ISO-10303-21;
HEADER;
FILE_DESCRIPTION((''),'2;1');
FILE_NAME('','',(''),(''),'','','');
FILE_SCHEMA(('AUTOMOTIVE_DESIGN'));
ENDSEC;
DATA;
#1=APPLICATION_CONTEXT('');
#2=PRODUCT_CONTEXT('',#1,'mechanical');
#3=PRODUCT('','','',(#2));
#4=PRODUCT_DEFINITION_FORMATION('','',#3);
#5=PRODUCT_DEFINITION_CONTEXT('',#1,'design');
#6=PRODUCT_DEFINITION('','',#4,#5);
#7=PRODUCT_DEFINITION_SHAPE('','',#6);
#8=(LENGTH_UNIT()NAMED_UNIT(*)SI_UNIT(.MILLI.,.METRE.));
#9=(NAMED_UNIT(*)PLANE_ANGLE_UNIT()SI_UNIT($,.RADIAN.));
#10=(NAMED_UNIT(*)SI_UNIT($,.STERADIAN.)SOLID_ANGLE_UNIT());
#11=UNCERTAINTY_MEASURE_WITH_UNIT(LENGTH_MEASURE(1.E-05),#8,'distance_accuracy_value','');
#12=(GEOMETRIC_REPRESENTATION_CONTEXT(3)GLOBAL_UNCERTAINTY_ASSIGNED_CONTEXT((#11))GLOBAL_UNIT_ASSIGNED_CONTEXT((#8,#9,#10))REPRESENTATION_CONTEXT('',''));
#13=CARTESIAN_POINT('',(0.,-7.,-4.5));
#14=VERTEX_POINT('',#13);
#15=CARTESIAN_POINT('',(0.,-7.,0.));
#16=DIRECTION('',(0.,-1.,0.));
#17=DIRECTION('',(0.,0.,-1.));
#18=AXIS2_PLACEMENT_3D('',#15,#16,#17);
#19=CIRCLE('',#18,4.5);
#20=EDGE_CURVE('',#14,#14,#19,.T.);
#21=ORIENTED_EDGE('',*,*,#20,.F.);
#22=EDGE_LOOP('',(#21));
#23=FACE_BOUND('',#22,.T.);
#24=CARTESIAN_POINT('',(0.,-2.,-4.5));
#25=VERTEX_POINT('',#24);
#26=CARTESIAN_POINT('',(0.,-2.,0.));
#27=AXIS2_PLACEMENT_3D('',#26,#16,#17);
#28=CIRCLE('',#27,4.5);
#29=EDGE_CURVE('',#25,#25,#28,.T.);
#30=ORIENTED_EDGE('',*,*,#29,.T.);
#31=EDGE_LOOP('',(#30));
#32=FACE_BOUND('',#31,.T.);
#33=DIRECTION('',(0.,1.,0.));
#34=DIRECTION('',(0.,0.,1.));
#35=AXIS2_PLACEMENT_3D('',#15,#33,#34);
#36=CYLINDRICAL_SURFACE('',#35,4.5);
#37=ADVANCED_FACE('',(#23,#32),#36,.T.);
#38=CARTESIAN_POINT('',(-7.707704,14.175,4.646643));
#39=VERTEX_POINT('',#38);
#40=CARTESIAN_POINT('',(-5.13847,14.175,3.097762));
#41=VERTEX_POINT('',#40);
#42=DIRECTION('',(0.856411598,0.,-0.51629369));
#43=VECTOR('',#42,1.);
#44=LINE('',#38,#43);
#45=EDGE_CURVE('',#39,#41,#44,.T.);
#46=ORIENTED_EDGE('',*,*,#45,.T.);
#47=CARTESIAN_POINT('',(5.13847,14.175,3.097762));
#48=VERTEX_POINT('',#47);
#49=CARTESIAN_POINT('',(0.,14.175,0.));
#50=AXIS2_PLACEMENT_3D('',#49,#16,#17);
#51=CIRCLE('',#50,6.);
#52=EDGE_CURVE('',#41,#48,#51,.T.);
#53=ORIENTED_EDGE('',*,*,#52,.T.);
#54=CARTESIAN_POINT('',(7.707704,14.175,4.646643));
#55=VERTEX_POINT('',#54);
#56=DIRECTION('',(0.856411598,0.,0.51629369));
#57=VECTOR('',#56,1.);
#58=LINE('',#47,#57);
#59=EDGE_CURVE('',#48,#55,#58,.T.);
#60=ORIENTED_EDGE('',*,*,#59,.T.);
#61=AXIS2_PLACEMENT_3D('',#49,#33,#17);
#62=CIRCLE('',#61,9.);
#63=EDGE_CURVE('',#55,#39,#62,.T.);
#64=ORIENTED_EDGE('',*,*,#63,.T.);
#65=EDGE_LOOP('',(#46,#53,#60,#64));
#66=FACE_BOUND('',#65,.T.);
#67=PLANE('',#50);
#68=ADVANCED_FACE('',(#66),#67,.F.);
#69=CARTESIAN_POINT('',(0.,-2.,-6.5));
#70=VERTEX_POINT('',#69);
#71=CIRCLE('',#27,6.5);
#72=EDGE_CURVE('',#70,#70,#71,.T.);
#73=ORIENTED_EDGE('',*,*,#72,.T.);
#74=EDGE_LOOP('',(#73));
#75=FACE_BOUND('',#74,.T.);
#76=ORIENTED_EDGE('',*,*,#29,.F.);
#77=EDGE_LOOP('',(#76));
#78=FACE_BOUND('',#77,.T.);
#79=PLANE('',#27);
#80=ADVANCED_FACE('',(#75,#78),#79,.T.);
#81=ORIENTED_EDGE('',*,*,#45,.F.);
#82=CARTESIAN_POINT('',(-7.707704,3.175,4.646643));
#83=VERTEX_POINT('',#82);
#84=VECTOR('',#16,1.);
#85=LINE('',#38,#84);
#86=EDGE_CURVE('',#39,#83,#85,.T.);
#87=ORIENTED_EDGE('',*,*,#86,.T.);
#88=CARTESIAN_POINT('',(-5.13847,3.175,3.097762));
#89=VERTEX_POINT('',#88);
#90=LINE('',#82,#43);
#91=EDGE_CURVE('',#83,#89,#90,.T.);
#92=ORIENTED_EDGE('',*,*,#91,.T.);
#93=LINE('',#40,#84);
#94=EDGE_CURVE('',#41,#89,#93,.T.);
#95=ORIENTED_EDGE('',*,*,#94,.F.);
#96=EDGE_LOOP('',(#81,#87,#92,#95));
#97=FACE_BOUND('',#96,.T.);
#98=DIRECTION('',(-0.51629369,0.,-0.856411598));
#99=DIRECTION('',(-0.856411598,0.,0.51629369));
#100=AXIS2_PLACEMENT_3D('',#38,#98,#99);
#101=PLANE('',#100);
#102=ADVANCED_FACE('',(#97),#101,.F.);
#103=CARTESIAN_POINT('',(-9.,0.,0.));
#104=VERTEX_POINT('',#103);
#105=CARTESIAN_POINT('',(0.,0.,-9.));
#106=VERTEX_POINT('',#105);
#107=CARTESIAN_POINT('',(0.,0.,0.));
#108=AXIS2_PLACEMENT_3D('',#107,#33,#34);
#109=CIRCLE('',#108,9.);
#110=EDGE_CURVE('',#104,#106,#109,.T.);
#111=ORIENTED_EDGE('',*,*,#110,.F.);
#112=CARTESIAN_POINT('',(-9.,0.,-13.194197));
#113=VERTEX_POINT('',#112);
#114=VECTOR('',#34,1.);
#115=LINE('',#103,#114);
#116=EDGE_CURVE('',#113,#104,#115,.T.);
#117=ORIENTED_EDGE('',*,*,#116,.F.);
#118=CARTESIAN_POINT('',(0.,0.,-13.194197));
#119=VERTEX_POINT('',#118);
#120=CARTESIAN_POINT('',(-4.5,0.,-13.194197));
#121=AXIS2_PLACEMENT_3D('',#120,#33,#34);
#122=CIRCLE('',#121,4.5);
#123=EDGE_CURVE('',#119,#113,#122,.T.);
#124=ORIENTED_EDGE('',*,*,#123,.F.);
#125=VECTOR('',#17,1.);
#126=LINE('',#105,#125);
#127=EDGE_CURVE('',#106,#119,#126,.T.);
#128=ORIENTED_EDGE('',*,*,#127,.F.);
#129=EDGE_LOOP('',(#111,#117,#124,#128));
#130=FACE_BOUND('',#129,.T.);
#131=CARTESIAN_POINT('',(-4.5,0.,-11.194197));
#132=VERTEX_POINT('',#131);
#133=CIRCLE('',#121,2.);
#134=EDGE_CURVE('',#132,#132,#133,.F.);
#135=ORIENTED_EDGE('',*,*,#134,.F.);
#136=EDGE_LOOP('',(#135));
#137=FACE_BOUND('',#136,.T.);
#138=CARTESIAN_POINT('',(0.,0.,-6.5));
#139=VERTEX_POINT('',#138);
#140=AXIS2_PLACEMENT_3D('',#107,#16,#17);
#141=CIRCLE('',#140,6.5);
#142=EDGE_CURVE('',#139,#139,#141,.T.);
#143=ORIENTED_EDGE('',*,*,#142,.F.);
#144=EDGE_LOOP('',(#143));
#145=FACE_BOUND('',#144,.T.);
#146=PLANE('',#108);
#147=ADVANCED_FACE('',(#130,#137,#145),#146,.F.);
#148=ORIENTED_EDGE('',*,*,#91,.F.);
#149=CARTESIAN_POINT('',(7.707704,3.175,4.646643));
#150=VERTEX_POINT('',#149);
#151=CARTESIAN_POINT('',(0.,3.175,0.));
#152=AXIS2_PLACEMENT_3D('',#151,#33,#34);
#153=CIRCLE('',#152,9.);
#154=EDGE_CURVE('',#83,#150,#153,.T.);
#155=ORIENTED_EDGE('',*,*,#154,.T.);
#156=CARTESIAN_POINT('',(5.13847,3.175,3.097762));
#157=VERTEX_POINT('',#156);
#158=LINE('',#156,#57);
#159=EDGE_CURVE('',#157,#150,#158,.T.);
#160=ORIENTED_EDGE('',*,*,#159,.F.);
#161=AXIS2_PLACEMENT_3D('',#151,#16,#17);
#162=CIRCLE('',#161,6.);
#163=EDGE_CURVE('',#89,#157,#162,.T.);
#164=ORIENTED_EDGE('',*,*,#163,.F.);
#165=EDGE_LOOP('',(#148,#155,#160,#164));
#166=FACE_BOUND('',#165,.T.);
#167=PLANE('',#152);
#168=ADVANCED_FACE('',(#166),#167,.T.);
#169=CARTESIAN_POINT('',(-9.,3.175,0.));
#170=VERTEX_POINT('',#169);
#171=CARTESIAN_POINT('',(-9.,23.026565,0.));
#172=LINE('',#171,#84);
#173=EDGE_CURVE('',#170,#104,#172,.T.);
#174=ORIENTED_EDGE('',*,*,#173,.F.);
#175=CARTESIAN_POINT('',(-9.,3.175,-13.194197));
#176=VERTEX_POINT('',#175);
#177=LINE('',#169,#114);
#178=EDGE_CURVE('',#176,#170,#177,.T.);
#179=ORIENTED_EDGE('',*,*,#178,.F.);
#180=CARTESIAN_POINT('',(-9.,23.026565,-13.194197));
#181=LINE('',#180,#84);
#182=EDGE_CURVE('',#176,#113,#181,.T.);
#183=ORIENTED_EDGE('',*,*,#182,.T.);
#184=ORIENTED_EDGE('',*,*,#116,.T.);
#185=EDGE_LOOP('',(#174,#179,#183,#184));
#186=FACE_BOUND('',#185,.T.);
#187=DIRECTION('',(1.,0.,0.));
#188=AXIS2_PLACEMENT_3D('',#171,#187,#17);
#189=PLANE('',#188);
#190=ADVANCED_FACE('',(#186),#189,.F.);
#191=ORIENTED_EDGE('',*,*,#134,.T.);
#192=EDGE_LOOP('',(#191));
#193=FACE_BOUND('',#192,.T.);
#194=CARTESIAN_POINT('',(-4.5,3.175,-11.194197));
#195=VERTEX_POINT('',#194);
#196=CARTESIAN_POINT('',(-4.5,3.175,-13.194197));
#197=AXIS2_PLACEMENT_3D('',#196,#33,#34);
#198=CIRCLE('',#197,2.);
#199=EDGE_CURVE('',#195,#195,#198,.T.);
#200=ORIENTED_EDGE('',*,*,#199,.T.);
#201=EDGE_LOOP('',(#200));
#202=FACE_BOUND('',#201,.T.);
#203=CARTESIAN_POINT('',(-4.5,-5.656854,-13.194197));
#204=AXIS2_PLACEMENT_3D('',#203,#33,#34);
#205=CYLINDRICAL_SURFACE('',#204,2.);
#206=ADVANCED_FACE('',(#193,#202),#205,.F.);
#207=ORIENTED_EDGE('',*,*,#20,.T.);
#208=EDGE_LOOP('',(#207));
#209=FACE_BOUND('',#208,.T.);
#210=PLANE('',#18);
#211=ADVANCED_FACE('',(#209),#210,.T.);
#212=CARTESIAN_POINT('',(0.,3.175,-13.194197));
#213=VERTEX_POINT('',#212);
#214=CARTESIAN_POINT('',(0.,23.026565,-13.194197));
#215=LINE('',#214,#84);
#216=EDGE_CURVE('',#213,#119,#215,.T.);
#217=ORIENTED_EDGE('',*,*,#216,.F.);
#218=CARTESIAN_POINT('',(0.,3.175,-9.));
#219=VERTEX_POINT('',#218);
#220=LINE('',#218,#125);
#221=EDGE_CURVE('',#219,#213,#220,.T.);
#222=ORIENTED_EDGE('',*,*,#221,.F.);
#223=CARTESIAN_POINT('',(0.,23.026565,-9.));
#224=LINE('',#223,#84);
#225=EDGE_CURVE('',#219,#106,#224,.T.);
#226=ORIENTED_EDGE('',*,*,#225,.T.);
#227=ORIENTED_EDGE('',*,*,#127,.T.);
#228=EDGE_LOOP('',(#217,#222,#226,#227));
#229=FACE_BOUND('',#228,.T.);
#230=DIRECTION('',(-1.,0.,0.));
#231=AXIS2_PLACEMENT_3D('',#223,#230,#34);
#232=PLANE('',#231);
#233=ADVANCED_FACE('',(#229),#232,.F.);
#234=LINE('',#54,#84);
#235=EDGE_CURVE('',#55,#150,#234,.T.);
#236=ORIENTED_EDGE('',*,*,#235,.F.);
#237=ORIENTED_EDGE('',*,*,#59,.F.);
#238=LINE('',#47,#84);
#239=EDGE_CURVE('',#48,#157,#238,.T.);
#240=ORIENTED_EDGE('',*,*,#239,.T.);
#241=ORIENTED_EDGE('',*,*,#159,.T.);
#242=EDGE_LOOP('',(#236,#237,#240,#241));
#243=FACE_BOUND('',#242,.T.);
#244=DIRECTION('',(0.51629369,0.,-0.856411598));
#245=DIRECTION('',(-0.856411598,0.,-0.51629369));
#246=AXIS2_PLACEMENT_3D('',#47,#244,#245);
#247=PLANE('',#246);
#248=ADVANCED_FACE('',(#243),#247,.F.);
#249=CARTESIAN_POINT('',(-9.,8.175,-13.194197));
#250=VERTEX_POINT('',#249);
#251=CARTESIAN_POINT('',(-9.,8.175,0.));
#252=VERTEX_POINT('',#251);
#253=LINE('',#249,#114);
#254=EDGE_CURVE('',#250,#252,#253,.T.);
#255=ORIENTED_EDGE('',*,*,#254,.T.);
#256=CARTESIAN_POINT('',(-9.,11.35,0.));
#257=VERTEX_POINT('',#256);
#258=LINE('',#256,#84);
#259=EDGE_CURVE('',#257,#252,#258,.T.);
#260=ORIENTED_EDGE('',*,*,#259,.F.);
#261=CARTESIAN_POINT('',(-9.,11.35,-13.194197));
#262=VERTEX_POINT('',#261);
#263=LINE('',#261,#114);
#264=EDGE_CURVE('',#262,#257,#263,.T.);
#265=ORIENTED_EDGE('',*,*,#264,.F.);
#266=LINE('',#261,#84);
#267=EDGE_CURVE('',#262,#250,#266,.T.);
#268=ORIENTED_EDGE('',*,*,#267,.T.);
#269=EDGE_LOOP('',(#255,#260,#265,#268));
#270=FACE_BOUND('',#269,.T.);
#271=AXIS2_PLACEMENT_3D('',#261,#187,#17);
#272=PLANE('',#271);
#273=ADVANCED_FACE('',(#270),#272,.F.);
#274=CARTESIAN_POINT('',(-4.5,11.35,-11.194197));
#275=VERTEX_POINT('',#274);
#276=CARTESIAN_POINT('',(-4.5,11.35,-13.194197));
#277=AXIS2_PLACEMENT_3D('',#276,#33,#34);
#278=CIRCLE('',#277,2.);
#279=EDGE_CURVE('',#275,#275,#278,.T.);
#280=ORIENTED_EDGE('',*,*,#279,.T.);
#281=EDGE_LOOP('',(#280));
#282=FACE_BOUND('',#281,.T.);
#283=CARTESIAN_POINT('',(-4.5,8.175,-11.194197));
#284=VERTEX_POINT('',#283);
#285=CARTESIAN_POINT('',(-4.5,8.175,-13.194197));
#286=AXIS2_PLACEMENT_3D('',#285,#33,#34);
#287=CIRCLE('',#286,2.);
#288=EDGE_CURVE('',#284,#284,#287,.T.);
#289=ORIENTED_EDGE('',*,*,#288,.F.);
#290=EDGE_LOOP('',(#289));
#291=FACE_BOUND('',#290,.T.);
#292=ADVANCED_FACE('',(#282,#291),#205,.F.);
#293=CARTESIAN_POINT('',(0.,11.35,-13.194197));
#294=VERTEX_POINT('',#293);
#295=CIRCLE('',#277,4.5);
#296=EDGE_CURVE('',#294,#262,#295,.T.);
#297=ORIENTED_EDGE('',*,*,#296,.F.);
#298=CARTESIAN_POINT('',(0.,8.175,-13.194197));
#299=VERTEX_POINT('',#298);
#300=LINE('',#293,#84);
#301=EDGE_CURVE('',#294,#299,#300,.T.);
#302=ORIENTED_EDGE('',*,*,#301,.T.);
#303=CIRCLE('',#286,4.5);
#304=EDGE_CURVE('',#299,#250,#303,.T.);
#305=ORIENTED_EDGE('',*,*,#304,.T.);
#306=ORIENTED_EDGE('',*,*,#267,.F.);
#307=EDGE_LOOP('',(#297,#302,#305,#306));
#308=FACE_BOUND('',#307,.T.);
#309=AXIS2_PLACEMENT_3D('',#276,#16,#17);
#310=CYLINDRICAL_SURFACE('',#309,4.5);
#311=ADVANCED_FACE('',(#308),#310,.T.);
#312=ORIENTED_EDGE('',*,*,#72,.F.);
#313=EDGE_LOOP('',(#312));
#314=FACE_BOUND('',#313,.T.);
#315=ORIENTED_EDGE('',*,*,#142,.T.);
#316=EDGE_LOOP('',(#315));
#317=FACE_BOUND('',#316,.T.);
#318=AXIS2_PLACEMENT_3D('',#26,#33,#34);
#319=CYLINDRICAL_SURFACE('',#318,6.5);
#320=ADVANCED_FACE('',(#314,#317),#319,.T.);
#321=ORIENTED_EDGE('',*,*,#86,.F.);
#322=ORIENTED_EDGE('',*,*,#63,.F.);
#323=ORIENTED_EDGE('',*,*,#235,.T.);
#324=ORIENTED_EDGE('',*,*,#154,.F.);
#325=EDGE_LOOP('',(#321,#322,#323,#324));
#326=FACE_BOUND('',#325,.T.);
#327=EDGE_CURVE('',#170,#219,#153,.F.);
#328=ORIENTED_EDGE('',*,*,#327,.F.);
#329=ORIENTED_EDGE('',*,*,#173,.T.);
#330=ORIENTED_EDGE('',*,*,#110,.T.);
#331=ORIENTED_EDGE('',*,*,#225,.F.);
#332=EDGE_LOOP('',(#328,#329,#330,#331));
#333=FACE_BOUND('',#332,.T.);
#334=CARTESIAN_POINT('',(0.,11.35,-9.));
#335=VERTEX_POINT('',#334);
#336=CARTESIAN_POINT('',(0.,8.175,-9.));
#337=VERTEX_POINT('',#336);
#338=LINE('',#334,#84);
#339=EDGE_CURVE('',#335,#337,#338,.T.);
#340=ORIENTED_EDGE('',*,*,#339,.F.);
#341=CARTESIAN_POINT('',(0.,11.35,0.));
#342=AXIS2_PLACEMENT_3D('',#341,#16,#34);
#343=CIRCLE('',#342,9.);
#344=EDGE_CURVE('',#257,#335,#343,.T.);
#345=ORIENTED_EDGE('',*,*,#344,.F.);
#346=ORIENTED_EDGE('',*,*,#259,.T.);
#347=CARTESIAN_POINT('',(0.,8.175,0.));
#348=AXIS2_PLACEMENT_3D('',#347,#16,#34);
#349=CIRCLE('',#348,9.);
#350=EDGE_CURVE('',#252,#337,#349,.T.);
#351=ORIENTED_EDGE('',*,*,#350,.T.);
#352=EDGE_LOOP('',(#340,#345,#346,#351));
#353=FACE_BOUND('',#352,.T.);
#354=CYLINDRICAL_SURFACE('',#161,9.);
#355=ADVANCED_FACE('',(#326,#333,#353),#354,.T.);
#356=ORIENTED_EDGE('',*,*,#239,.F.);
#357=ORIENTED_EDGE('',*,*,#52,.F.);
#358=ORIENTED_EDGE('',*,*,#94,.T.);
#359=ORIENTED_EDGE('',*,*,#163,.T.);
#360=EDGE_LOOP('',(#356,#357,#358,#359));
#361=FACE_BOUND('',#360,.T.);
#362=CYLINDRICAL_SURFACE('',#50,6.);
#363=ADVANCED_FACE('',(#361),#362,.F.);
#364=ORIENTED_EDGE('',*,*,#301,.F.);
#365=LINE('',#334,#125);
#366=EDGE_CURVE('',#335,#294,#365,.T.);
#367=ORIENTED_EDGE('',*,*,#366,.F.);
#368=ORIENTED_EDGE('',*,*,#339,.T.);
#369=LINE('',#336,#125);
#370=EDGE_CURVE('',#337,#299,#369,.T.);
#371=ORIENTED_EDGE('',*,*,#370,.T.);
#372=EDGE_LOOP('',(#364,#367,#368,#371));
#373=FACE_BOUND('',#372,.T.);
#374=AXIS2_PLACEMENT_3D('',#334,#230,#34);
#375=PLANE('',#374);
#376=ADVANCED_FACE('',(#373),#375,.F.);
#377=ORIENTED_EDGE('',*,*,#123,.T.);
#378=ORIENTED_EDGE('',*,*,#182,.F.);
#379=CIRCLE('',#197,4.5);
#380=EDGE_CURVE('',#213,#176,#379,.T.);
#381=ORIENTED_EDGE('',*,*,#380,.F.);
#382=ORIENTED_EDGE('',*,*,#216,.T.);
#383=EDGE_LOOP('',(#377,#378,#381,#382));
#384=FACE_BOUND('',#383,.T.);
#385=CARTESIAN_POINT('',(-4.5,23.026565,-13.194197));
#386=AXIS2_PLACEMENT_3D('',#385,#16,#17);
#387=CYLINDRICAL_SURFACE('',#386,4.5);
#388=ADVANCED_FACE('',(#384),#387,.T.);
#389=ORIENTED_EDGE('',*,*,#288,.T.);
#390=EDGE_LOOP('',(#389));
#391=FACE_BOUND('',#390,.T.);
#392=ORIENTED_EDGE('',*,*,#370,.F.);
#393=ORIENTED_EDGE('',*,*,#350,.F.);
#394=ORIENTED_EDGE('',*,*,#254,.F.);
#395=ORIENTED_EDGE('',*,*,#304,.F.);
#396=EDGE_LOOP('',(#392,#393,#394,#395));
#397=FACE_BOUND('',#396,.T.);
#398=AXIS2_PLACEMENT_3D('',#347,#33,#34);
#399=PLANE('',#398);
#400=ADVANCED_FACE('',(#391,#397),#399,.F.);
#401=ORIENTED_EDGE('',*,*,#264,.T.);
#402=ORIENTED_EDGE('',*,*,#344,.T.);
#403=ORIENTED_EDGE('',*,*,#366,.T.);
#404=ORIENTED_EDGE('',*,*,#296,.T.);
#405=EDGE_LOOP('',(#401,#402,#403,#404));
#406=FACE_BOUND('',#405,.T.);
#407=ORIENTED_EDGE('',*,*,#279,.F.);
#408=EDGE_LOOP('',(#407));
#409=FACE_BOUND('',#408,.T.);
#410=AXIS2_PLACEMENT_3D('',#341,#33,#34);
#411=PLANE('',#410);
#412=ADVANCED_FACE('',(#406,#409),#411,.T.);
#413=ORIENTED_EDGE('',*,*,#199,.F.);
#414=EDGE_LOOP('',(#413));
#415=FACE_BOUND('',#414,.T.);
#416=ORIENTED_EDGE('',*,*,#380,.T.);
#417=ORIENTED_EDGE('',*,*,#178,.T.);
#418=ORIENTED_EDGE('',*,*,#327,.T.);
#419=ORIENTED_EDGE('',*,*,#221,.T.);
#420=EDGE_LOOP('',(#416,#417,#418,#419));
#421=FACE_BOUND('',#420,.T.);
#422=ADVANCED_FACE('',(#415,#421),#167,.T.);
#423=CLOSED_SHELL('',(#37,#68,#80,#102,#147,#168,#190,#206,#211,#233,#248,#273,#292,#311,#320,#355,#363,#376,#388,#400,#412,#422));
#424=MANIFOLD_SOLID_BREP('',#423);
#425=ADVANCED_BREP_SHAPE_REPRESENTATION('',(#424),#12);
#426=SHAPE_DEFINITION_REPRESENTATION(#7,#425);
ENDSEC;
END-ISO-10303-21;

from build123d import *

# Parameters (mm, degrees)
SKETCH1_R           = 9
BOSS_EXTRUDE1_DEPTH = 3.175
BOSS_EXTRUDE2_DEPTH = 11
SKETCH3_R           = 6.5
BOSS_EXTRUDE3_DEPTH = 2
SKETCH4_R           = 4.5
BOSS_EXTRUDE4_DEPTH = 5
BOSS_EXTRUDE5_DEPTH = 3.175
BOSS_EXTRUDE7_DEPTH = 3.175
SKETCH8_R           = 2
CUT_EXTRUDE1_DEPTH  = 11.35


with BuildPart() as part:
    # Sketch1 → Boss-Extrude1 (new body)
    with BuildSketch(Plane(origin=(0, 0, 0), x_dir=(1, 0, 0), z_dir=(0, 1, 0))):
        Circle(SKETCH1_R)
    extrude(amount=BOSS_EXTRUDE1_DEPTH)

    # Sketch2 → Boss-Extrude2 (add)
    with BuildSketch(Plane(origin=(0, 3.175, 0), x_dir=(1, 0, 0), z_dir=(0, 1, 0))):
        with BuildLine():
            Line((-7.707704384, -4.646643211), (-5.138469589, -3.097762141))
            ThreePointArc((-5.138469589, -3.097762141), (0, 6), (5.138469589, -3.097762141))
            Line((5.138469589, -3.097762141), (7.707704384, -4.646643211))
            ThreePointArc((7.707704384, -4.646643211), (0, 9), (-7.707704384, -4.646643211))
        make_face()
    extrude(amount=BOSS_EXTRUDE2_DEPTH)

    # Sketch3 → Boss-Extrude3 (add)
    with BuildSketch(Plane.XZ):
        Circle(SKETCH3_R)
    extrude(amount=BOSS_EXTRUDE3_DEPTH)

    # Sketch4 → Boss-Extrude4 (add)
    with BuildSketch(Plane.XZ.offset(2)):
        Circle(SKETCH4_R)
    extrude(amount=BOSS_EXTRUDE4_DEPTH)

    # Sketch6 → Boss-Extrude5 (add)
    with BuildSketch(Plane(origin=(0, 0, 0), x_dir=(1, 0, 0), z_dir=(0, 1, 0))):
        with BuildLine():
            Line((-9, 0), (-9, 13.194197425))
            ThreePointArc((-9, 13.194197425), (-4.5, 17.694197425), (0, 13.194197425))
            Line((0, 13.194197425), (0, 9))
            ThreePointArc((0, 9), (-6.363961031, 6.363961031), (-9, 0))
        make_face()
    extrude(amount=BOSS_EXTRUDE5_DEPTH)

    # Sketch7 → Boss-Extrude7 (add)
    with BuildSketch(Plane(origin=(0, 8.174999906, 0), x_dir=(1, 0, 0), z_dir=(0, 1, 0))):
        with BuildLine():
            Line((0, 9), (0, 13.194197425))
            ThreePointArc((0, 13.194197425), (-4.5, 17.694197425), (-9, 13.194197425))
            Line((-9, 13.194197425), (-9, 0))
            ThreePointArc((-9, 0), (-6.363961031, 6.363961031), (0, 9))
        make_face()
    extrude(amount=BOSS_EXTRUDE7_DEPTH)

    # Sketch8 → Cut-Extrude1 (cut)
    with BuildSketch(Plane(origin=(0, 11.349999906, 0), x_dir=(1, 0, 0), z_dir=(0, 1, 0))):
        with Locations((-4.5, 13.194197425)):
            Circle(SKETCH8_R)
    extrude(amount=-CUT_EXTRUDE1_DEPTH, mode=Mode.SUBTRACT)


solid = part.part
